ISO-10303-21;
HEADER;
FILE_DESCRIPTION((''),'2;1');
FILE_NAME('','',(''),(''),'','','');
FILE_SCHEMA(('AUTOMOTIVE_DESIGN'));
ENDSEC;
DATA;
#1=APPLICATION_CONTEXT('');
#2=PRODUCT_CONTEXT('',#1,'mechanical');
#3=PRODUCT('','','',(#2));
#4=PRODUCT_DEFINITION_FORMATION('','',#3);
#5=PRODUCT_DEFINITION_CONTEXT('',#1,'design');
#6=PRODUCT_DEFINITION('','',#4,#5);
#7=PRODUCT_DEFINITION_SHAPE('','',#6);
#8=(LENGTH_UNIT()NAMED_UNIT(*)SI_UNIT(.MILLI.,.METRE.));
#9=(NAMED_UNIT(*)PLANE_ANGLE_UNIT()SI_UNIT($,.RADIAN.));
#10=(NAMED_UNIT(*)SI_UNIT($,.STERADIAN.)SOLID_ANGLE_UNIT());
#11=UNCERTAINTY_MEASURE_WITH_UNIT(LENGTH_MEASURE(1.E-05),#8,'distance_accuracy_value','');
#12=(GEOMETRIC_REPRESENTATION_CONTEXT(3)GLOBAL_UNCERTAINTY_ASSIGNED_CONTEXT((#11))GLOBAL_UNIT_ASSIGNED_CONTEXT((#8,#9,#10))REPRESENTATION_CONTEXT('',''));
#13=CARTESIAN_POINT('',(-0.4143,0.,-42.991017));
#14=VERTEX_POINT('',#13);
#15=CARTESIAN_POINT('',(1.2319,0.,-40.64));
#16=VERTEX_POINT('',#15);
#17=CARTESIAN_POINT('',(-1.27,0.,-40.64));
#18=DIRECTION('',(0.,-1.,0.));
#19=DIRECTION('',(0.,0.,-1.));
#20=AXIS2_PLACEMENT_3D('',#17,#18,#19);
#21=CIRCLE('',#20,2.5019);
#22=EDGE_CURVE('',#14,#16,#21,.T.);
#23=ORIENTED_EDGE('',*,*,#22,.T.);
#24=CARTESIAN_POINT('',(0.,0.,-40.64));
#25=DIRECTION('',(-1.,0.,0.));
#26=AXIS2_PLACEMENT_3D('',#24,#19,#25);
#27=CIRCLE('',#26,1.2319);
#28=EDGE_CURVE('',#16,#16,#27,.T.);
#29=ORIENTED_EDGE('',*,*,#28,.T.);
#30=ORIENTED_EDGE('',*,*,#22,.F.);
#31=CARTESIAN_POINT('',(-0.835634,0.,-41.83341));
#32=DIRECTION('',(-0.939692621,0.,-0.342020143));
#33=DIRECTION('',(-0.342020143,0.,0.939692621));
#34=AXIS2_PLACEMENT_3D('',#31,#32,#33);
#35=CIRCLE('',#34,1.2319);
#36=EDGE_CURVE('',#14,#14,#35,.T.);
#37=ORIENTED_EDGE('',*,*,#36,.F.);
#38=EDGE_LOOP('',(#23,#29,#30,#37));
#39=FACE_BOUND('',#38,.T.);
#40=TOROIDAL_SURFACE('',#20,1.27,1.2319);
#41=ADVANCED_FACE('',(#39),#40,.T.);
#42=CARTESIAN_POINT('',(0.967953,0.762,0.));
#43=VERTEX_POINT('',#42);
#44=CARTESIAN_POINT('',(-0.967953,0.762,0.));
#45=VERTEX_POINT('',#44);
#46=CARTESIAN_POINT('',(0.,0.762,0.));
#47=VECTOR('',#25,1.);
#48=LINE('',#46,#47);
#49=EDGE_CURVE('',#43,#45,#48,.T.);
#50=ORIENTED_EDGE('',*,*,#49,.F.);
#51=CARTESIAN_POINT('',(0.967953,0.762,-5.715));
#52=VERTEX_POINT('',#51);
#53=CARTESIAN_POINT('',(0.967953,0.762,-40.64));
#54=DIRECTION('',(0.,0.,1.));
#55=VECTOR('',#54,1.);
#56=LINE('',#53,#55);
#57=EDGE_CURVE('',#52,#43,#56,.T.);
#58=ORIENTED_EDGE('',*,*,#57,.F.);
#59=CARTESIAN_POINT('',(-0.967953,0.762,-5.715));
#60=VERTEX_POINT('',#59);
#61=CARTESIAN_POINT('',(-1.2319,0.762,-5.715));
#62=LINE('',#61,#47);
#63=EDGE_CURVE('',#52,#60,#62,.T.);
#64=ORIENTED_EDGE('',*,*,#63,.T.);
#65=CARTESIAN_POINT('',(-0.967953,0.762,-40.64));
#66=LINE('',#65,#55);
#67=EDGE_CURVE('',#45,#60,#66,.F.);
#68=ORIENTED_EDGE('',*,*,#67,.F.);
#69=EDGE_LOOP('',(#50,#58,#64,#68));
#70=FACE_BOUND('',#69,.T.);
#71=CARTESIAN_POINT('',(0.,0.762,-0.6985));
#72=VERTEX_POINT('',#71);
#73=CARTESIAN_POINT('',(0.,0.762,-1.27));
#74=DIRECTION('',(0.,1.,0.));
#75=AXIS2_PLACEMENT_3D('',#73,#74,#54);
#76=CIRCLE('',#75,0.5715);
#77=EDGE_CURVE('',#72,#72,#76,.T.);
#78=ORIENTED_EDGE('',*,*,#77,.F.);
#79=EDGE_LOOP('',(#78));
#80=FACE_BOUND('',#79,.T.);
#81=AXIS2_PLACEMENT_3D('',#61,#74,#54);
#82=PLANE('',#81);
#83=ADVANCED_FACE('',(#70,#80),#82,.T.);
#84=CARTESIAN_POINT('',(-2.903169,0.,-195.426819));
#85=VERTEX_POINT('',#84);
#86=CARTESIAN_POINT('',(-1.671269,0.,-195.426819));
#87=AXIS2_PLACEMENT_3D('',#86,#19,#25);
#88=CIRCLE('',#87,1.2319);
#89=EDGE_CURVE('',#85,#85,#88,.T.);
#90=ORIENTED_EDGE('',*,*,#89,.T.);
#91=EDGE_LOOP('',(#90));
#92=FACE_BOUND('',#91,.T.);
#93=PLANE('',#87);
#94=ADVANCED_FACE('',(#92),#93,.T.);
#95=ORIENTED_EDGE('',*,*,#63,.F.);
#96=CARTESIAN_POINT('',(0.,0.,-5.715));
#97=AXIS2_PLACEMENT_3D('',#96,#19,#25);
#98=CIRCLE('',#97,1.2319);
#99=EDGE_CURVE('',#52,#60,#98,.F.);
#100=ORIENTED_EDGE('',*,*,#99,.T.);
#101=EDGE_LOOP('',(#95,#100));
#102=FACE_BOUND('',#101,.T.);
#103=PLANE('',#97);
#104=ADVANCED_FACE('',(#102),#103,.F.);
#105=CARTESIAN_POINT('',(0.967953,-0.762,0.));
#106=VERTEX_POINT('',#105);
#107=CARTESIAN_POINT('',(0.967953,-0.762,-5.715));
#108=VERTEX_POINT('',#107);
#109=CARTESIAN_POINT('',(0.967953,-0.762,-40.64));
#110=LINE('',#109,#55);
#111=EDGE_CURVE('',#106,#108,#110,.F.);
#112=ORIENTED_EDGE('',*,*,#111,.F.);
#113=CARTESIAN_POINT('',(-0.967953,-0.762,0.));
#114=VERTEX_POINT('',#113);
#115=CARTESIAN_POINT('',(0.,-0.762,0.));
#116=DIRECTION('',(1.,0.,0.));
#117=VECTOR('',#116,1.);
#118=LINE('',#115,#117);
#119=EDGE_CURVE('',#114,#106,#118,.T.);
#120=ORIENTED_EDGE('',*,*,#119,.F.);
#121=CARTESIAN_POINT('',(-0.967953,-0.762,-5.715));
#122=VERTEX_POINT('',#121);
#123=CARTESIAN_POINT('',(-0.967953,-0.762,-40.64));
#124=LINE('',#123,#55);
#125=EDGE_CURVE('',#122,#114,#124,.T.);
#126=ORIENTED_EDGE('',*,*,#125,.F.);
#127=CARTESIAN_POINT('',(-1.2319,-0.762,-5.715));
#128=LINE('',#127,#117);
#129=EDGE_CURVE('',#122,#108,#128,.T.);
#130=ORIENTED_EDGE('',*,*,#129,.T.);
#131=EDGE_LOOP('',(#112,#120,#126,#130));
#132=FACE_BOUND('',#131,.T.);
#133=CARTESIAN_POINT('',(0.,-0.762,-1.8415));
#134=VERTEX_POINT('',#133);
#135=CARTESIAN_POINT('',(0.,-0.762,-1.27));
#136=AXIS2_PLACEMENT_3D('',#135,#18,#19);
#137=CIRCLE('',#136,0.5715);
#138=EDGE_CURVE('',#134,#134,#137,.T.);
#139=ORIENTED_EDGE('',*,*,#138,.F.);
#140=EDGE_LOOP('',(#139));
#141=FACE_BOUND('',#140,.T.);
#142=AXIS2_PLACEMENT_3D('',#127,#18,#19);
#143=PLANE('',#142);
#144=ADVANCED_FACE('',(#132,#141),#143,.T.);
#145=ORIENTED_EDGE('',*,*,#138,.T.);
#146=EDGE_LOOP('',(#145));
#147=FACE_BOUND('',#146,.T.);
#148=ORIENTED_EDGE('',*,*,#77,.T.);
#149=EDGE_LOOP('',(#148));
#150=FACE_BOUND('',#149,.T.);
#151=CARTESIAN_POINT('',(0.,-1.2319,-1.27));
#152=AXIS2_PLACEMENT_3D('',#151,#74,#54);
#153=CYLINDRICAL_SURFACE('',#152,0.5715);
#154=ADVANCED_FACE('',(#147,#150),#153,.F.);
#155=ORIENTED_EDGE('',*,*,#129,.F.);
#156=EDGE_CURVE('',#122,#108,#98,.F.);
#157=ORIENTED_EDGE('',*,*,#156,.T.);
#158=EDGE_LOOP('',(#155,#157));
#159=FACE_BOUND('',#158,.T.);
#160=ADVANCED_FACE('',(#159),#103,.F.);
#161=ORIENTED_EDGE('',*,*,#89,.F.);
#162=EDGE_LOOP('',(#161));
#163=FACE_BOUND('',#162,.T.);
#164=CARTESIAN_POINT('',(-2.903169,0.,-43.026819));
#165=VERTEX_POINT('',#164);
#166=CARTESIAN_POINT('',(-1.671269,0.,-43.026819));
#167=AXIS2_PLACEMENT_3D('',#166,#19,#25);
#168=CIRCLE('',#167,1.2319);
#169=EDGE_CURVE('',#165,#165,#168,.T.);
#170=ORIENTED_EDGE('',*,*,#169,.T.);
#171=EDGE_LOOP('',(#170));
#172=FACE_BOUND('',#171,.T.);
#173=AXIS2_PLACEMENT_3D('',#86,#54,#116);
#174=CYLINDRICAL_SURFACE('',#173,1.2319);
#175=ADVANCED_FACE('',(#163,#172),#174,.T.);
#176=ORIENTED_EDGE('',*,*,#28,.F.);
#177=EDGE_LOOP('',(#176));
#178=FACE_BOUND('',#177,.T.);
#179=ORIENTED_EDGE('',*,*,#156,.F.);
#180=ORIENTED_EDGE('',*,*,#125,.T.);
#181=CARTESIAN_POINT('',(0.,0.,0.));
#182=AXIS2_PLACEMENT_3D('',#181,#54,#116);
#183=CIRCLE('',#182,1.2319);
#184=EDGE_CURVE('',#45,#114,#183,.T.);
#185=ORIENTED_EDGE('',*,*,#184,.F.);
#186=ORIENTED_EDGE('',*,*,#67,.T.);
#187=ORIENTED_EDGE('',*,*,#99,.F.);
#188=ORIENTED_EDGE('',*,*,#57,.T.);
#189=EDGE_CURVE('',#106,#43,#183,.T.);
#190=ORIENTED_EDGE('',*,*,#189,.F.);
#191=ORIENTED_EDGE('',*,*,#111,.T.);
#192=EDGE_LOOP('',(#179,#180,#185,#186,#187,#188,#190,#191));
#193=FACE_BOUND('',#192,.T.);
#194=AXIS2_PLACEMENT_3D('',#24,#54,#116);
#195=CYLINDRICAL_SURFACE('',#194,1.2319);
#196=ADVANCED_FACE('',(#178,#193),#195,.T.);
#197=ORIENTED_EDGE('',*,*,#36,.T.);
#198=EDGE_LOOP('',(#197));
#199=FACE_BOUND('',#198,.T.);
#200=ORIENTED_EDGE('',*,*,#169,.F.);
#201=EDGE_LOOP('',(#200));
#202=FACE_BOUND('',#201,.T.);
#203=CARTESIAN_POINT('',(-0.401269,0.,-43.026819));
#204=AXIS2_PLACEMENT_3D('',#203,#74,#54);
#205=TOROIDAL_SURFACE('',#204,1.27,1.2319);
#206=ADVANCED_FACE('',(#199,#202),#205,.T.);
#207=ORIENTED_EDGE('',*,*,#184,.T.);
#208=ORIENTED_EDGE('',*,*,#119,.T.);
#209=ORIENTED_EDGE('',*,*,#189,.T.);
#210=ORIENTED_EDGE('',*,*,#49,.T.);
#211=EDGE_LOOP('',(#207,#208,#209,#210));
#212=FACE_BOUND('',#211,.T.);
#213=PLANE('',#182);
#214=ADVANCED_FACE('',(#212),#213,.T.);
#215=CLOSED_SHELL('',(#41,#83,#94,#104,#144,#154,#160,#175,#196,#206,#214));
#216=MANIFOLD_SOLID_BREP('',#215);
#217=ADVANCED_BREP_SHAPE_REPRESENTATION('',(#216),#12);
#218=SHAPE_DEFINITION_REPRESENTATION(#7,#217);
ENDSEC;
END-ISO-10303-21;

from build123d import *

# Parameters (mm, degrees)
SKETCH1_R    = 1.2319
RODEND_DEPTH = 40.64
SKETCH2_W    = 6.35
SKETCH2_H    = 2.4638
SKETCH2_W_2  = 2.4638
SKETCH2_H_2  = 1.524
FLATS_DEPTH  = 5.715
SKETCH3_R    = 0.5715
HOLE_DEPTH   = 41.707527741
SKETCH4_R    = 1.2319
REV1_ANGLE   = 70
SKETCH6_R    = 1.2319
REV2_ANGLE   = 70
SKETCH10_R   = 1.2319
SHAFT_DEPTH  = 152.4


with BuildPart() as part:
    # Sketch1 → RodEnd (new body)
    with BuildSketch(Plane.XY):
        Circle(SKETCH1_R)
    extrude(amount=-RODEND_DEPTH)

    # Sketch2 → Flats (cut)
    with BuildSketch(Plane.XY):
        Rectangle(SKETCH2_W, SKETCH2_H)
        Rectangle(SKETCH2_W_2, SKETCH2_H_2, mode=Mode.SUBTRACT)
    extrude(amount=-FLATS_DEPTH, mode=Mode.SUBTRACT)

    # Sketch3 → Hole (cut, through all)
    with BuildSketch(Plane(origin=(0, 0.762, 0), x_dir=(1, 0, 0), z_dir=(0, 1, 0))):
        with Locations(Location((0, 1.27, 0), (0, 0, 270))):
            Circle(SKETCH3_R)
    extrude(amount=-HOLE_DEPTH, mode=Mode.SUBTRACT)

    # Sketch4 → Rev1 (revolve)
    with BuildSketch(Plane(origin=(0, 0, -40.64), x_dir=(-1, 0, 0), z_dir=(0, 0, -1))):
        with Locations(Location((0, 0, 0), (0, 0, 180))):
            Circle(SKETCH4_R)
    revolve(axis=Axis((-1.27, 0, -40.64), (0, 1, 0)), revolution_arc=REV1_ANGLE)

    # Sketch6 → Rev2 (revolve)
    with BuildSketch(Plane(origin=(-14.18288245, 0, -5.162147048), x_dir=(-0.3420201433256661, 0, 0.9396926207859093), z_dir=(-0.9396926207859094, 0, -0.34202014332566616))):
        with Locations((-39.024742527, 0)):
            Circle(SKETCH6_R)
    revolve(axis=Axis((-0.401268836, 0, -43.026819257), (0, -1, 0)), revolution_arc=REV2_ANGLE)

    # Sketch10 → Shaft (add)
    with BuildSketch(Plane(origin=(0, 0, -43.026819257), x_dir=(-1, 0, 0), z_dir=(0, 0, -1))):
        with Locations((1.671268836, 0)):
            Circle(SKETCH10_R)
    extrude(amount=SHAFT_DEPTH)


solid = part.part
